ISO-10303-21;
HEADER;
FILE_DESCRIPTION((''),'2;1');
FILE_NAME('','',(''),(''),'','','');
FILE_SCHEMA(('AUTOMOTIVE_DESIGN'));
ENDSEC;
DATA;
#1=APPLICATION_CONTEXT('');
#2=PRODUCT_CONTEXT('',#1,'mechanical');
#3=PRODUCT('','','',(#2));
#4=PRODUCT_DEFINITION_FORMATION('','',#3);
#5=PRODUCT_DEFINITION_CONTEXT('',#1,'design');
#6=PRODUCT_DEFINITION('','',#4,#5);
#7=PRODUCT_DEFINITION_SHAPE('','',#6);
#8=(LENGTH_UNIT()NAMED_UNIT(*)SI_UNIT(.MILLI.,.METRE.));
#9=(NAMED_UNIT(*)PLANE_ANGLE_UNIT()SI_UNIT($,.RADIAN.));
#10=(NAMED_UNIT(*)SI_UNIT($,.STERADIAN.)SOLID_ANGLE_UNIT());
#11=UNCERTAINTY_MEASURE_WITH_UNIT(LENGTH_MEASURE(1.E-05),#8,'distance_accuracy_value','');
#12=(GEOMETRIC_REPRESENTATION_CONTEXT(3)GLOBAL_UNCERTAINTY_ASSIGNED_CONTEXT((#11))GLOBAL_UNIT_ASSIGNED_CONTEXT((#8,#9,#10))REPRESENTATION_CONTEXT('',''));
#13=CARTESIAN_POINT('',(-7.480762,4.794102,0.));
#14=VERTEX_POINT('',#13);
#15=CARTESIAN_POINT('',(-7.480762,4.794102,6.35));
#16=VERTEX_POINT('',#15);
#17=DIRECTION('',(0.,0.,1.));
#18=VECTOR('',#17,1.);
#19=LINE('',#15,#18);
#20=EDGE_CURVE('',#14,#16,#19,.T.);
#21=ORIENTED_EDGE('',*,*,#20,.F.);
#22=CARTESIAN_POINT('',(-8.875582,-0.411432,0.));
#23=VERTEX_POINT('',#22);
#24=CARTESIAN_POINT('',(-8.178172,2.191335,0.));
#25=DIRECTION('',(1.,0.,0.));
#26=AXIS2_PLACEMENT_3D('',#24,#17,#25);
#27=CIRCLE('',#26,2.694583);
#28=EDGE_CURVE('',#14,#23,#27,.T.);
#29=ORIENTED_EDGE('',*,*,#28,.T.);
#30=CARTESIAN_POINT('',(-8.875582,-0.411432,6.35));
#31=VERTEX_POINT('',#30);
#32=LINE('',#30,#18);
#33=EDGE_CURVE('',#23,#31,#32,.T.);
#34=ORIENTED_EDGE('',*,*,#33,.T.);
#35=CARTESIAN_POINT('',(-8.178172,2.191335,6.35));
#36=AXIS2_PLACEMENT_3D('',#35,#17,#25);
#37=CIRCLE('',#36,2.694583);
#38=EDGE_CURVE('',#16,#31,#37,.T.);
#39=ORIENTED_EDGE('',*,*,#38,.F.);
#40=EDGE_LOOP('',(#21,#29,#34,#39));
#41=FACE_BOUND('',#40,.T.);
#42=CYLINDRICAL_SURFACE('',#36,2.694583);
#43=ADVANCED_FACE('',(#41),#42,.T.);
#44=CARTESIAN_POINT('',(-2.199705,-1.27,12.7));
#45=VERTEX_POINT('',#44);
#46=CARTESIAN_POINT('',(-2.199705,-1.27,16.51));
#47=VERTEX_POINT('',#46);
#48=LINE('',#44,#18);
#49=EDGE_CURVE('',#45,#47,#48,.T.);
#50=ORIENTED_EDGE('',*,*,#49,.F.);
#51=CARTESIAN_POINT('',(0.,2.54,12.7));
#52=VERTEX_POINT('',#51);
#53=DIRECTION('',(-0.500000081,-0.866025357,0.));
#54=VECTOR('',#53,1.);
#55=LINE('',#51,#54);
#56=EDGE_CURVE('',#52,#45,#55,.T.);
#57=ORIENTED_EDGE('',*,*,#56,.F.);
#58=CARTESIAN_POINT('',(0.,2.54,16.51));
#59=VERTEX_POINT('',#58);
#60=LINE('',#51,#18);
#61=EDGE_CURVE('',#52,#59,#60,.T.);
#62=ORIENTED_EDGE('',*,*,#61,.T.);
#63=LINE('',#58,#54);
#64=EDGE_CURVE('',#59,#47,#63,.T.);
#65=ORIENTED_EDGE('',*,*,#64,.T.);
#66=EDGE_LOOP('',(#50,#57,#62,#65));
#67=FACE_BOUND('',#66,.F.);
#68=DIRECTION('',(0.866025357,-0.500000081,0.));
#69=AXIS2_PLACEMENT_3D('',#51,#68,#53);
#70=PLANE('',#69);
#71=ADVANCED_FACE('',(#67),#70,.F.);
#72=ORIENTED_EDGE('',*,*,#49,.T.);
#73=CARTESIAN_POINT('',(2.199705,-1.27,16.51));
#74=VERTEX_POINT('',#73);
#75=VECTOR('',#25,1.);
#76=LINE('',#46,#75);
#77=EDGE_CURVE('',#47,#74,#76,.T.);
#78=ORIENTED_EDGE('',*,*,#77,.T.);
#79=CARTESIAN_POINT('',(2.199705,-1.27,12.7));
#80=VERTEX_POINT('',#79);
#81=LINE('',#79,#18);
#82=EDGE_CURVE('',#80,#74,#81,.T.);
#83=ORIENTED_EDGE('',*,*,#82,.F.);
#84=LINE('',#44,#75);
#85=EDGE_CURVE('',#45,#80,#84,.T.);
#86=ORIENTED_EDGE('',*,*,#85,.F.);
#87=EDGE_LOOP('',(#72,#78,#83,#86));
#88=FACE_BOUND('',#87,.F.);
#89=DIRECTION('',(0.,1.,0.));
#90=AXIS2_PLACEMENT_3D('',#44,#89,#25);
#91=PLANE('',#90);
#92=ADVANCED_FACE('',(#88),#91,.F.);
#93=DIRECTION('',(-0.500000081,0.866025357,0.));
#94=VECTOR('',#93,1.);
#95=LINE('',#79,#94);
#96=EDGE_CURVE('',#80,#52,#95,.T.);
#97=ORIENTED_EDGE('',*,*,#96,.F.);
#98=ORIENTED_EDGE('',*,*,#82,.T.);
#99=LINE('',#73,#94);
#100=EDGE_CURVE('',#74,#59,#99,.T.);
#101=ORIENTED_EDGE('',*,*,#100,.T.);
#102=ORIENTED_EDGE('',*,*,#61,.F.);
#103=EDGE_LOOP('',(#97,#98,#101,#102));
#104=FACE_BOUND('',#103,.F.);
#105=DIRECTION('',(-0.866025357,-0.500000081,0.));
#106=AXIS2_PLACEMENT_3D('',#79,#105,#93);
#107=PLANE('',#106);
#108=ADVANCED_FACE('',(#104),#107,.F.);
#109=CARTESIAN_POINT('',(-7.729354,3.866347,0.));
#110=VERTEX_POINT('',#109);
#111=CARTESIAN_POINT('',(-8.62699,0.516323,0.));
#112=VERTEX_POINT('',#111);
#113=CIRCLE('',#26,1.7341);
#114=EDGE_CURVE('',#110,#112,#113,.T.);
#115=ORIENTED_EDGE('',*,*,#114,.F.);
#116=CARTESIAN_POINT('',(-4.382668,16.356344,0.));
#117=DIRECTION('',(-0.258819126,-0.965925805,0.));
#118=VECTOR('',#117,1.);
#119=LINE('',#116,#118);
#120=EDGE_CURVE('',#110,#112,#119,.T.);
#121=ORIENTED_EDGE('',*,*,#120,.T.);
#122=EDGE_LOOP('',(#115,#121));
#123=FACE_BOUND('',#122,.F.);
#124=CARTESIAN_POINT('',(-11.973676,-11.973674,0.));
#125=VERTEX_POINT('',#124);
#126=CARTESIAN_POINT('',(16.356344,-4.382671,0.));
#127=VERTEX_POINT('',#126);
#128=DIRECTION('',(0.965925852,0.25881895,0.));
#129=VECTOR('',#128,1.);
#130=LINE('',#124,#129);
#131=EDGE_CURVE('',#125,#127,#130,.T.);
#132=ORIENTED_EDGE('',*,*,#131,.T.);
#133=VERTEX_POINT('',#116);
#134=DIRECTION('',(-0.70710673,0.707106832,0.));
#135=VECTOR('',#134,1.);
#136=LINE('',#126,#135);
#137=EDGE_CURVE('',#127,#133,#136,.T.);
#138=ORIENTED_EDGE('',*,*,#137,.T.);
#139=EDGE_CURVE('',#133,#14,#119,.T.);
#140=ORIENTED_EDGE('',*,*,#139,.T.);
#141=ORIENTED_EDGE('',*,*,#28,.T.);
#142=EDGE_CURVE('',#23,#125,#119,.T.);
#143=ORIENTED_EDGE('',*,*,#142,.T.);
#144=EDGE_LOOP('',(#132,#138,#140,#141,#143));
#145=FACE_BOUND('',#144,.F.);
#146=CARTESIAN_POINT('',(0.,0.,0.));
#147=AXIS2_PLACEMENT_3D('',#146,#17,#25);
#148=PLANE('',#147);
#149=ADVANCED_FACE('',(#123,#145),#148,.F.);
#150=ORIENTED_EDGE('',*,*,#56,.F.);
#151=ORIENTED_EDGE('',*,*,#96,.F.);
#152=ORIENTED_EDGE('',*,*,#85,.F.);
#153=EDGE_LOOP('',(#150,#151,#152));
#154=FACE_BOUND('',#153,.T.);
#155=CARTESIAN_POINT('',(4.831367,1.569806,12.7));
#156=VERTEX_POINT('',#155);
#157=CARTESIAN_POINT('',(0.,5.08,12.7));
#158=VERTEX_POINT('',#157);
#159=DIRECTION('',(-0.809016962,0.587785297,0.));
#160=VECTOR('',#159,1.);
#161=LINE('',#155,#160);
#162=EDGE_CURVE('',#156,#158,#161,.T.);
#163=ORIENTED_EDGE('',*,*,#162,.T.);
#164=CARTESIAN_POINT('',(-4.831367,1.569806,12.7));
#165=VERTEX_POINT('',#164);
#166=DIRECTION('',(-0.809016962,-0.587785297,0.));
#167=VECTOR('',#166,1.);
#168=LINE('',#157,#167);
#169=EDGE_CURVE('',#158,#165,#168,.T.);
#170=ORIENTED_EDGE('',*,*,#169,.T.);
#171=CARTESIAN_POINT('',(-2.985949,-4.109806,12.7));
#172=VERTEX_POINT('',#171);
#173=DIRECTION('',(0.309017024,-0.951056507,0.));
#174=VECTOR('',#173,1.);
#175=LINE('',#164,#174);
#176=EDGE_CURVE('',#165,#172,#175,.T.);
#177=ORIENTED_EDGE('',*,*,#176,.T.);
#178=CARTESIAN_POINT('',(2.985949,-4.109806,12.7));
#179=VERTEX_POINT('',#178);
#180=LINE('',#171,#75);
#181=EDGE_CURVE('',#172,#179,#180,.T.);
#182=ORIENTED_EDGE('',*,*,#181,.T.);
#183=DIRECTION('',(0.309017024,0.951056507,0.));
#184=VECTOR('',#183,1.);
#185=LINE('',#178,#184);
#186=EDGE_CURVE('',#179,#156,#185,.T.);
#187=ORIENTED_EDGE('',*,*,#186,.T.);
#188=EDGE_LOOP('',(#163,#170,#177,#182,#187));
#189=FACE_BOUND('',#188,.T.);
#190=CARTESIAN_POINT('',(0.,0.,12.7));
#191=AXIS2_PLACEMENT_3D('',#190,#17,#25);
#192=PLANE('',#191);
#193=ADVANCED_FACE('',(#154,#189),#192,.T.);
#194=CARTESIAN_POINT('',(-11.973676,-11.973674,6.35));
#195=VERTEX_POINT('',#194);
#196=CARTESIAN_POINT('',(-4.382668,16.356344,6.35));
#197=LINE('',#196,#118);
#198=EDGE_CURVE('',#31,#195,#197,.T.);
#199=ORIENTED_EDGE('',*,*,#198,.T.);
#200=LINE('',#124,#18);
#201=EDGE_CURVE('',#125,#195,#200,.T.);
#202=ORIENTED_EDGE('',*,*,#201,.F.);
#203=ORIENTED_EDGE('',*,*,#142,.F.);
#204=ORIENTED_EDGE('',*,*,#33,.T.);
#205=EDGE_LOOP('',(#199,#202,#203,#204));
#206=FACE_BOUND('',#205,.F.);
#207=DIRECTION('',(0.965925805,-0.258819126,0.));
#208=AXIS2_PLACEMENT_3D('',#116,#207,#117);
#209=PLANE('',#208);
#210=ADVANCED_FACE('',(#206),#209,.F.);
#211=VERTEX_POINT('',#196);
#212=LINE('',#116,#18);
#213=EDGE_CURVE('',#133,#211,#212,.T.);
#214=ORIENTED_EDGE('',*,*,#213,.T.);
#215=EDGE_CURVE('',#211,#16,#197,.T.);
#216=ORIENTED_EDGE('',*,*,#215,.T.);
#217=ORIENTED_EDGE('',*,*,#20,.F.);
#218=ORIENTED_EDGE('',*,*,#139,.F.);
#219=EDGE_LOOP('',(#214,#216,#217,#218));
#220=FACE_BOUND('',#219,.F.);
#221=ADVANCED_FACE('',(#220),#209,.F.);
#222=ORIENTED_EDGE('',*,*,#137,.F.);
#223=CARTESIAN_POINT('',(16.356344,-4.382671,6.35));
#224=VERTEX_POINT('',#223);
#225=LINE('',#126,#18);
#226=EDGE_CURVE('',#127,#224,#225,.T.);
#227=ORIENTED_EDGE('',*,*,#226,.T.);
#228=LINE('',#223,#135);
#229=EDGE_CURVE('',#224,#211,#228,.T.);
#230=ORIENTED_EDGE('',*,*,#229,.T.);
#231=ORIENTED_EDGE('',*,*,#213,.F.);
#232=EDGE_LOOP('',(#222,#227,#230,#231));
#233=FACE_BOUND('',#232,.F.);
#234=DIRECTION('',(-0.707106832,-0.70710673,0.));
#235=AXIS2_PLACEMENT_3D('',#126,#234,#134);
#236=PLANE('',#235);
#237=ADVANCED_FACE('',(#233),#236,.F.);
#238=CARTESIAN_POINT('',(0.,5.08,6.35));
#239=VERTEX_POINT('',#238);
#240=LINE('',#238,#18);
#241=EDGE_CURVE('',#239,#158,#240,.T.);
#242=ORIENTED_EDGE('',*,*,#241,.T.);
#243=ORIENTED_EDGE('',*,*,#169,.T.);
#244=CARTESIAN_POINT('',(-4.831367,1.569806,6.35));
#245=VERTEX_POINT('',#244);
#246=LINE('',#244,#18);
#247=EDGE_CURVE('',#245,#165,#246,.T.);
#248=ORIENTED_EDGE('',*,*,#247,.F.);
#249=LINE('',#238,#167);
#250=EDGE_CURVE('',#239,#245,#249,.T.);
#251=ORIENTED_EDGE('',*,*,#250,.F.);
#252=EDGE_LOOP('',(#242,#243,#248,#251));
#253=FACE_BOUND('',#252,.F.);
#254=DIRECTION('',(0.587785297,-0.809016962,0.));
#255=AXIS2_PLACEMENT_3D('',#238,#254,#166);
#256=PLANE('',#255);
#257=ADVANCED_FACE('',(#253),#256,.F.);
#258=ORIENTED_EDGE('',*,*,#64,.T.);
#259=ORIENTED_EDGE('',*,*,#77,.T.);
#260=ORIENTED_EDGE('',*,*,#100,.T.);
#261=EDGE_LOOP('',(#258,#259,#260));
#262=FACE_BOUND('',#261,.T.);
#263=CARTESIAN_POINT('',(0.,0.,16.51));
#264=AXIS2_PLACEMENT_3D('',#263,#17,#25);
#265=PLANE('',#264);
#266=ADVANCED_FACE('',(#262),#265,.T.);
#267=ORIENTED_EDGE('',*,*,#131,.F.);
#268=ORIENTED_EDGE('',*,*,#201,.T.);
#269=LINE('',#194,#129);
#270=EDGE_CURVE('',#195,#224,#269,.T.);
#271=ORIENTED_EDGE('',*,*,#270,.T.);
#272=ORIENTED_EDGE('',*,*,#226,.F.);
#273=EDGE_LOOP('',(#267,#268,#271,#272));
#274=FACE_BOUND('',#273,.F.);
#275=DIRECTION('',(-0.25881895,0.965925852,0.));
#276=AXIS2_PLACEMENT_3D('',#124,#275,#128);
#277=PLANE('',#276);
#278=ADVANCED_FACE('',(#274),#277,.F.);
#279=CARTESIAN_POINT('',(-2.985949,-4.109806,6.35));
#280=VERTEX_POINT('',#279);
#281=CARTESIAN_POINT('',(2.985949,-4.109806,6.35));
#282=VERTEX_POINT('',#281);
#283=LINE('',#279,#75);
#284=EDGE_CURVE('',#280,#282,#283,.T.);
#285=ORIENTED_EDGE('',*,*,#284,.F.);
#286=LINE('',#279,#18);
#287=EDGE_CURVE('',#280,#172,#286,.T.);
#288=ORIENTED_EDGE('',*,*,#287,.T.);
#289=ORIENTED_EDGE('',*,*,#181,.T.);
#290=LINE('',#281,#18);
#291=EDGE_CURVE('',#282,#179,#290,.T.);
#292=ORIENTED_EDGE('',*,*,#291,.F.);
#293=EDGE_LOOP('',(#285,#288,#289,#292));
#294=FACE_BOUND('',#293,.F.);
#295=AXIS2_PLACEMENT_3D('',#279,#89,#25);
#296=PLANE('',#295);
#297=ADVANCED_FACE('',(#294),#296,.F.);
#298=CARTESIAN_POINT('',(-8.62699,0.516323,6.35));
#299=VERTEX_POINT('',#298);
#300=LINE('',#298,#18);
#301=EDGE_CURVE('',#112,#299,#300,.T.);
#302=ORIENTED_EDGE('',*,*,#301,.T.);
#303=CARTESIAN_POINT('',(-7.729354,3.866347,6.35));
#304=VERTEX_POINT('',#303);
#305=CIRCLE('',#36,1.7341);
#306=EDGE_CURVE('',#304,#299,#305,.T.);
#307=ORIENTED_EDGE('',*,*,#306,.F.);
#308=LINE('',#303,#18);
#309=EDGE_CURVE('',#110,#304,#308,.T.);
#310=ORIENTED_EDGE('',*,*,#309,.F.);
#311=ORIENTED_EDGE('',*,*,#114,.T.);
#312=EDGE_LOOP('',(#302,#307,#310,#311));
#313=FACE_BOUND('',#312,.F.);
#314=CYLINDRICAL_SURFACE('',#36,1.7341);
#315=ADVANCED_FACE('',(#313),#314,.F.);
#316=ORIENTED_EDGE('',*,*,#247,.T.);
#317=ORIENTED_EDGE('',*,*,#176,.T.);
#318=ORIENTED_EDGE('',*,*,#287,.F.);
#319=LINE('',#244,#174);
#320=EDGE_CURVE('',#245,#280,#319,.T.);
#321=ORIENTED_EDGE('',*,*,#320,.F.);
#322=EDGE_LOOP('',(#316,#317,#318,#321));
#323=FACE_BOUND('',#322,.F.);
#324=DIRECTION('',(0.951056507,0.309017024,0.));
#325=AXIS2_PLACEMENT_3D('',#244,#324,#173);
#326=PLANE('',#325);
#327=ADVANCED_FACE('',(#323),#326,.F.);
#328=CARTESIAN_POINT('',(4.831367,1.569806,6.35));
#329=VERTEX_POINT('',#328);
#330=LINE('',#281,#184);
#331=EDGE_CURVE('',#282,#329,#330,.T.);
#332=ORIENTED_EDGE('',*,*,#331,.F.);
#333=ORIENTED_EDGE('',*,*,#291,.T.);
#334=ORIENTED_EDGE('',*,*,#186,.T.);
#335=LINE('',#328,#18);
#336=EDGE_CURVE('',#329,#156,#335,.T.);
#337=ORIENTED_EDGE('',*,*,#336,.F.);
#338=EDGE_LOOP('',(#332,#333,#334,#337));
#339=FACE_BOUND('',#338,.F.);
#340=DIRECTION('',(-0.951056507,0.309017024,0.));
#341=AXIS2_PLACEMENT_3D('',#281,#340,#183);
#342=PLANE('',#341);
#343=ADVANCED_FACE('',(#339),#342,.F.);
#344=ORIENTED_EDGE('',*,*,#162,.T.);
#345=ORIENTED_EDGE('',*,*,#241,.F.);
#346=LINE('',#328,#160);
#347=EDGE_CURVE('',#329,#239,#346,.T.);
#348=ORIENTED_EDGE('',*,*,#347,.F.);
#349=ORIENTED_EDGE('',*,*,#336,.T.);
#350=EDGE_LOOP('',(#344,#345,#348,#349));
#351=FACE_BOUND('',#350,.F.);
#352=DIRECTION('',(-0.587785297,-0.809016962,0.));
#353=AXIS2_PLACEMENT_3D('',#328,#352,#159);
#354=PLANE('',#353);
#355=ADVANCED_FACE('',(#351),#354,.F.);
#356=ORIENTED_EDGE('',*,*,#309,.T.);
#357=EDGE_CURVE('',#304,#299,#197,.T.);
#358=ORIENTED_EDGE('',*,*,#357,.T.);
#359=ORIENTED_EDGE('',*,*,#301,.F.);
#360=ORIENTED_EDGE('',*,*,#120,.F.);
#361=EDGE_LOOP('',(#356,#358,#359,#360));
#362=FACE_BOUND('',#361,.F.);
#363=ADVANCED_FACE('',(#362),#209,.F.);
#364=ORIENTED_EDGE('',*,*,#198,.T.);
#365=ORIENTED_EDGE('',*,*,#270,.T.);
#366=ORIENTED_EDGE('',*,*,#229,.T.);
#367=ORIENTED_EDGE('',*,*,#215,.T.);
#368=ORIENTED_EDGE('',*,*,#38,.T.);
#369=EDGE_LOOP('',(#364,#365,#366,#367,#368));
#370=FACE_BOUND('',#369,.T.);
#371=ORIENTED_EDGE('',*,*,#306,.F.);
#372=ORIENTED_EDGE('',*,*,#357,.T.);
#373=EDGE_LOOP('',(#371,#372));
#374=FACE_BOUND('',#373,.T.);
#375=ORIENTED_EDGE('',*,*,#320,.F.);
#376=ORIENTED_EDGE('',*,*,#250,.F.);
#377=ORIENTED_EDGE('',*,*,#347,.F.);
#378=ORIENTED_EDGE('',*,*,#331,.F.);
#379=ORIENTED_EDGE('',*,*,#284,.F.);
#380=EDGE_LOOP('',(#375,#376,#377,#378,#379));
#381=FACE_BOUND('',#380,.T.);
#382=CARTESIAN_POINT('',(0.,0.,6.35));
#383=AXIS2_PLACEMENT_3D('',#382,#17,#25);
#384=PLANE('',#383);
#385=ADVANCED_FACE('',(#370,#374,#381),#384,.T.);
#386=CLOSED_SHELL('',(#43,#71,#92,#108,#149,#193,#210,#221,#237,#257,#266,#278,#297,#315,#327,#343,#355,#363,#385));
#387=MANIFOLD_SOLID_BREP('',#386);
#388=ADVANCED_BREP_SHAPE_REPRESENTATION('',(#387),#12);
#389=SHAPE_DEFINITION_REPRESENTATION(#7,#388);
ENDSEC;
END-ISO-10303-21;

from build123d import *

# Parameters (mm, degrees)
F1_DEPTH = 6.35
F3_DEPTH = 6.35
F5_DEPTH = 3.81
F6_R     = 2.694583
F6_R_2   = 1.7341
F7_DEPTH = 6.35


with BuildPart() as f1:
    # F0 (on Top) → F1 (new body)
    with BuildSketch(Plane.XY):
        Polygon((16.356344, -4.382671), (-4.382668, 16.356344), (-11.973676, -11.973674), align=None)
    extrude(amount=F1_DEPTH)

    # F2 (on face) → F3 (join)
    with BuildSketch(Plane.XY.offset(6.35)):
        Polygon((-2.985949, -4.109806), (2.985949, -4.109806), (4.831367, 1.569806), (0, 5.08), (-4.831367, 1.569806), align=None)
    extrude(amount=F3_DEPTH)

    # F4 (on face) → F5 (join)
    with BuildSketch(Plane.XY.offset(12.7)):
        Polygon((-2.199705, -1.27), (2.199705, -1.27), (0, 2.54), align=None)
    extrude(amount=F5_DEPTH)

    # F6 (on face) → F7 (join)
    with BuildSketch(Plane.XY.offset(6.35)):
        with Locations((-8.178172, 2.191335)):
            Circle(F6_R)
        with Locations((-8.178172, 2.191335)):
            Circle(F6_R_2, mode=Mode.SUBTRACT)
    extrude(amount=-F7_DEPTH)


solid = f1.part
